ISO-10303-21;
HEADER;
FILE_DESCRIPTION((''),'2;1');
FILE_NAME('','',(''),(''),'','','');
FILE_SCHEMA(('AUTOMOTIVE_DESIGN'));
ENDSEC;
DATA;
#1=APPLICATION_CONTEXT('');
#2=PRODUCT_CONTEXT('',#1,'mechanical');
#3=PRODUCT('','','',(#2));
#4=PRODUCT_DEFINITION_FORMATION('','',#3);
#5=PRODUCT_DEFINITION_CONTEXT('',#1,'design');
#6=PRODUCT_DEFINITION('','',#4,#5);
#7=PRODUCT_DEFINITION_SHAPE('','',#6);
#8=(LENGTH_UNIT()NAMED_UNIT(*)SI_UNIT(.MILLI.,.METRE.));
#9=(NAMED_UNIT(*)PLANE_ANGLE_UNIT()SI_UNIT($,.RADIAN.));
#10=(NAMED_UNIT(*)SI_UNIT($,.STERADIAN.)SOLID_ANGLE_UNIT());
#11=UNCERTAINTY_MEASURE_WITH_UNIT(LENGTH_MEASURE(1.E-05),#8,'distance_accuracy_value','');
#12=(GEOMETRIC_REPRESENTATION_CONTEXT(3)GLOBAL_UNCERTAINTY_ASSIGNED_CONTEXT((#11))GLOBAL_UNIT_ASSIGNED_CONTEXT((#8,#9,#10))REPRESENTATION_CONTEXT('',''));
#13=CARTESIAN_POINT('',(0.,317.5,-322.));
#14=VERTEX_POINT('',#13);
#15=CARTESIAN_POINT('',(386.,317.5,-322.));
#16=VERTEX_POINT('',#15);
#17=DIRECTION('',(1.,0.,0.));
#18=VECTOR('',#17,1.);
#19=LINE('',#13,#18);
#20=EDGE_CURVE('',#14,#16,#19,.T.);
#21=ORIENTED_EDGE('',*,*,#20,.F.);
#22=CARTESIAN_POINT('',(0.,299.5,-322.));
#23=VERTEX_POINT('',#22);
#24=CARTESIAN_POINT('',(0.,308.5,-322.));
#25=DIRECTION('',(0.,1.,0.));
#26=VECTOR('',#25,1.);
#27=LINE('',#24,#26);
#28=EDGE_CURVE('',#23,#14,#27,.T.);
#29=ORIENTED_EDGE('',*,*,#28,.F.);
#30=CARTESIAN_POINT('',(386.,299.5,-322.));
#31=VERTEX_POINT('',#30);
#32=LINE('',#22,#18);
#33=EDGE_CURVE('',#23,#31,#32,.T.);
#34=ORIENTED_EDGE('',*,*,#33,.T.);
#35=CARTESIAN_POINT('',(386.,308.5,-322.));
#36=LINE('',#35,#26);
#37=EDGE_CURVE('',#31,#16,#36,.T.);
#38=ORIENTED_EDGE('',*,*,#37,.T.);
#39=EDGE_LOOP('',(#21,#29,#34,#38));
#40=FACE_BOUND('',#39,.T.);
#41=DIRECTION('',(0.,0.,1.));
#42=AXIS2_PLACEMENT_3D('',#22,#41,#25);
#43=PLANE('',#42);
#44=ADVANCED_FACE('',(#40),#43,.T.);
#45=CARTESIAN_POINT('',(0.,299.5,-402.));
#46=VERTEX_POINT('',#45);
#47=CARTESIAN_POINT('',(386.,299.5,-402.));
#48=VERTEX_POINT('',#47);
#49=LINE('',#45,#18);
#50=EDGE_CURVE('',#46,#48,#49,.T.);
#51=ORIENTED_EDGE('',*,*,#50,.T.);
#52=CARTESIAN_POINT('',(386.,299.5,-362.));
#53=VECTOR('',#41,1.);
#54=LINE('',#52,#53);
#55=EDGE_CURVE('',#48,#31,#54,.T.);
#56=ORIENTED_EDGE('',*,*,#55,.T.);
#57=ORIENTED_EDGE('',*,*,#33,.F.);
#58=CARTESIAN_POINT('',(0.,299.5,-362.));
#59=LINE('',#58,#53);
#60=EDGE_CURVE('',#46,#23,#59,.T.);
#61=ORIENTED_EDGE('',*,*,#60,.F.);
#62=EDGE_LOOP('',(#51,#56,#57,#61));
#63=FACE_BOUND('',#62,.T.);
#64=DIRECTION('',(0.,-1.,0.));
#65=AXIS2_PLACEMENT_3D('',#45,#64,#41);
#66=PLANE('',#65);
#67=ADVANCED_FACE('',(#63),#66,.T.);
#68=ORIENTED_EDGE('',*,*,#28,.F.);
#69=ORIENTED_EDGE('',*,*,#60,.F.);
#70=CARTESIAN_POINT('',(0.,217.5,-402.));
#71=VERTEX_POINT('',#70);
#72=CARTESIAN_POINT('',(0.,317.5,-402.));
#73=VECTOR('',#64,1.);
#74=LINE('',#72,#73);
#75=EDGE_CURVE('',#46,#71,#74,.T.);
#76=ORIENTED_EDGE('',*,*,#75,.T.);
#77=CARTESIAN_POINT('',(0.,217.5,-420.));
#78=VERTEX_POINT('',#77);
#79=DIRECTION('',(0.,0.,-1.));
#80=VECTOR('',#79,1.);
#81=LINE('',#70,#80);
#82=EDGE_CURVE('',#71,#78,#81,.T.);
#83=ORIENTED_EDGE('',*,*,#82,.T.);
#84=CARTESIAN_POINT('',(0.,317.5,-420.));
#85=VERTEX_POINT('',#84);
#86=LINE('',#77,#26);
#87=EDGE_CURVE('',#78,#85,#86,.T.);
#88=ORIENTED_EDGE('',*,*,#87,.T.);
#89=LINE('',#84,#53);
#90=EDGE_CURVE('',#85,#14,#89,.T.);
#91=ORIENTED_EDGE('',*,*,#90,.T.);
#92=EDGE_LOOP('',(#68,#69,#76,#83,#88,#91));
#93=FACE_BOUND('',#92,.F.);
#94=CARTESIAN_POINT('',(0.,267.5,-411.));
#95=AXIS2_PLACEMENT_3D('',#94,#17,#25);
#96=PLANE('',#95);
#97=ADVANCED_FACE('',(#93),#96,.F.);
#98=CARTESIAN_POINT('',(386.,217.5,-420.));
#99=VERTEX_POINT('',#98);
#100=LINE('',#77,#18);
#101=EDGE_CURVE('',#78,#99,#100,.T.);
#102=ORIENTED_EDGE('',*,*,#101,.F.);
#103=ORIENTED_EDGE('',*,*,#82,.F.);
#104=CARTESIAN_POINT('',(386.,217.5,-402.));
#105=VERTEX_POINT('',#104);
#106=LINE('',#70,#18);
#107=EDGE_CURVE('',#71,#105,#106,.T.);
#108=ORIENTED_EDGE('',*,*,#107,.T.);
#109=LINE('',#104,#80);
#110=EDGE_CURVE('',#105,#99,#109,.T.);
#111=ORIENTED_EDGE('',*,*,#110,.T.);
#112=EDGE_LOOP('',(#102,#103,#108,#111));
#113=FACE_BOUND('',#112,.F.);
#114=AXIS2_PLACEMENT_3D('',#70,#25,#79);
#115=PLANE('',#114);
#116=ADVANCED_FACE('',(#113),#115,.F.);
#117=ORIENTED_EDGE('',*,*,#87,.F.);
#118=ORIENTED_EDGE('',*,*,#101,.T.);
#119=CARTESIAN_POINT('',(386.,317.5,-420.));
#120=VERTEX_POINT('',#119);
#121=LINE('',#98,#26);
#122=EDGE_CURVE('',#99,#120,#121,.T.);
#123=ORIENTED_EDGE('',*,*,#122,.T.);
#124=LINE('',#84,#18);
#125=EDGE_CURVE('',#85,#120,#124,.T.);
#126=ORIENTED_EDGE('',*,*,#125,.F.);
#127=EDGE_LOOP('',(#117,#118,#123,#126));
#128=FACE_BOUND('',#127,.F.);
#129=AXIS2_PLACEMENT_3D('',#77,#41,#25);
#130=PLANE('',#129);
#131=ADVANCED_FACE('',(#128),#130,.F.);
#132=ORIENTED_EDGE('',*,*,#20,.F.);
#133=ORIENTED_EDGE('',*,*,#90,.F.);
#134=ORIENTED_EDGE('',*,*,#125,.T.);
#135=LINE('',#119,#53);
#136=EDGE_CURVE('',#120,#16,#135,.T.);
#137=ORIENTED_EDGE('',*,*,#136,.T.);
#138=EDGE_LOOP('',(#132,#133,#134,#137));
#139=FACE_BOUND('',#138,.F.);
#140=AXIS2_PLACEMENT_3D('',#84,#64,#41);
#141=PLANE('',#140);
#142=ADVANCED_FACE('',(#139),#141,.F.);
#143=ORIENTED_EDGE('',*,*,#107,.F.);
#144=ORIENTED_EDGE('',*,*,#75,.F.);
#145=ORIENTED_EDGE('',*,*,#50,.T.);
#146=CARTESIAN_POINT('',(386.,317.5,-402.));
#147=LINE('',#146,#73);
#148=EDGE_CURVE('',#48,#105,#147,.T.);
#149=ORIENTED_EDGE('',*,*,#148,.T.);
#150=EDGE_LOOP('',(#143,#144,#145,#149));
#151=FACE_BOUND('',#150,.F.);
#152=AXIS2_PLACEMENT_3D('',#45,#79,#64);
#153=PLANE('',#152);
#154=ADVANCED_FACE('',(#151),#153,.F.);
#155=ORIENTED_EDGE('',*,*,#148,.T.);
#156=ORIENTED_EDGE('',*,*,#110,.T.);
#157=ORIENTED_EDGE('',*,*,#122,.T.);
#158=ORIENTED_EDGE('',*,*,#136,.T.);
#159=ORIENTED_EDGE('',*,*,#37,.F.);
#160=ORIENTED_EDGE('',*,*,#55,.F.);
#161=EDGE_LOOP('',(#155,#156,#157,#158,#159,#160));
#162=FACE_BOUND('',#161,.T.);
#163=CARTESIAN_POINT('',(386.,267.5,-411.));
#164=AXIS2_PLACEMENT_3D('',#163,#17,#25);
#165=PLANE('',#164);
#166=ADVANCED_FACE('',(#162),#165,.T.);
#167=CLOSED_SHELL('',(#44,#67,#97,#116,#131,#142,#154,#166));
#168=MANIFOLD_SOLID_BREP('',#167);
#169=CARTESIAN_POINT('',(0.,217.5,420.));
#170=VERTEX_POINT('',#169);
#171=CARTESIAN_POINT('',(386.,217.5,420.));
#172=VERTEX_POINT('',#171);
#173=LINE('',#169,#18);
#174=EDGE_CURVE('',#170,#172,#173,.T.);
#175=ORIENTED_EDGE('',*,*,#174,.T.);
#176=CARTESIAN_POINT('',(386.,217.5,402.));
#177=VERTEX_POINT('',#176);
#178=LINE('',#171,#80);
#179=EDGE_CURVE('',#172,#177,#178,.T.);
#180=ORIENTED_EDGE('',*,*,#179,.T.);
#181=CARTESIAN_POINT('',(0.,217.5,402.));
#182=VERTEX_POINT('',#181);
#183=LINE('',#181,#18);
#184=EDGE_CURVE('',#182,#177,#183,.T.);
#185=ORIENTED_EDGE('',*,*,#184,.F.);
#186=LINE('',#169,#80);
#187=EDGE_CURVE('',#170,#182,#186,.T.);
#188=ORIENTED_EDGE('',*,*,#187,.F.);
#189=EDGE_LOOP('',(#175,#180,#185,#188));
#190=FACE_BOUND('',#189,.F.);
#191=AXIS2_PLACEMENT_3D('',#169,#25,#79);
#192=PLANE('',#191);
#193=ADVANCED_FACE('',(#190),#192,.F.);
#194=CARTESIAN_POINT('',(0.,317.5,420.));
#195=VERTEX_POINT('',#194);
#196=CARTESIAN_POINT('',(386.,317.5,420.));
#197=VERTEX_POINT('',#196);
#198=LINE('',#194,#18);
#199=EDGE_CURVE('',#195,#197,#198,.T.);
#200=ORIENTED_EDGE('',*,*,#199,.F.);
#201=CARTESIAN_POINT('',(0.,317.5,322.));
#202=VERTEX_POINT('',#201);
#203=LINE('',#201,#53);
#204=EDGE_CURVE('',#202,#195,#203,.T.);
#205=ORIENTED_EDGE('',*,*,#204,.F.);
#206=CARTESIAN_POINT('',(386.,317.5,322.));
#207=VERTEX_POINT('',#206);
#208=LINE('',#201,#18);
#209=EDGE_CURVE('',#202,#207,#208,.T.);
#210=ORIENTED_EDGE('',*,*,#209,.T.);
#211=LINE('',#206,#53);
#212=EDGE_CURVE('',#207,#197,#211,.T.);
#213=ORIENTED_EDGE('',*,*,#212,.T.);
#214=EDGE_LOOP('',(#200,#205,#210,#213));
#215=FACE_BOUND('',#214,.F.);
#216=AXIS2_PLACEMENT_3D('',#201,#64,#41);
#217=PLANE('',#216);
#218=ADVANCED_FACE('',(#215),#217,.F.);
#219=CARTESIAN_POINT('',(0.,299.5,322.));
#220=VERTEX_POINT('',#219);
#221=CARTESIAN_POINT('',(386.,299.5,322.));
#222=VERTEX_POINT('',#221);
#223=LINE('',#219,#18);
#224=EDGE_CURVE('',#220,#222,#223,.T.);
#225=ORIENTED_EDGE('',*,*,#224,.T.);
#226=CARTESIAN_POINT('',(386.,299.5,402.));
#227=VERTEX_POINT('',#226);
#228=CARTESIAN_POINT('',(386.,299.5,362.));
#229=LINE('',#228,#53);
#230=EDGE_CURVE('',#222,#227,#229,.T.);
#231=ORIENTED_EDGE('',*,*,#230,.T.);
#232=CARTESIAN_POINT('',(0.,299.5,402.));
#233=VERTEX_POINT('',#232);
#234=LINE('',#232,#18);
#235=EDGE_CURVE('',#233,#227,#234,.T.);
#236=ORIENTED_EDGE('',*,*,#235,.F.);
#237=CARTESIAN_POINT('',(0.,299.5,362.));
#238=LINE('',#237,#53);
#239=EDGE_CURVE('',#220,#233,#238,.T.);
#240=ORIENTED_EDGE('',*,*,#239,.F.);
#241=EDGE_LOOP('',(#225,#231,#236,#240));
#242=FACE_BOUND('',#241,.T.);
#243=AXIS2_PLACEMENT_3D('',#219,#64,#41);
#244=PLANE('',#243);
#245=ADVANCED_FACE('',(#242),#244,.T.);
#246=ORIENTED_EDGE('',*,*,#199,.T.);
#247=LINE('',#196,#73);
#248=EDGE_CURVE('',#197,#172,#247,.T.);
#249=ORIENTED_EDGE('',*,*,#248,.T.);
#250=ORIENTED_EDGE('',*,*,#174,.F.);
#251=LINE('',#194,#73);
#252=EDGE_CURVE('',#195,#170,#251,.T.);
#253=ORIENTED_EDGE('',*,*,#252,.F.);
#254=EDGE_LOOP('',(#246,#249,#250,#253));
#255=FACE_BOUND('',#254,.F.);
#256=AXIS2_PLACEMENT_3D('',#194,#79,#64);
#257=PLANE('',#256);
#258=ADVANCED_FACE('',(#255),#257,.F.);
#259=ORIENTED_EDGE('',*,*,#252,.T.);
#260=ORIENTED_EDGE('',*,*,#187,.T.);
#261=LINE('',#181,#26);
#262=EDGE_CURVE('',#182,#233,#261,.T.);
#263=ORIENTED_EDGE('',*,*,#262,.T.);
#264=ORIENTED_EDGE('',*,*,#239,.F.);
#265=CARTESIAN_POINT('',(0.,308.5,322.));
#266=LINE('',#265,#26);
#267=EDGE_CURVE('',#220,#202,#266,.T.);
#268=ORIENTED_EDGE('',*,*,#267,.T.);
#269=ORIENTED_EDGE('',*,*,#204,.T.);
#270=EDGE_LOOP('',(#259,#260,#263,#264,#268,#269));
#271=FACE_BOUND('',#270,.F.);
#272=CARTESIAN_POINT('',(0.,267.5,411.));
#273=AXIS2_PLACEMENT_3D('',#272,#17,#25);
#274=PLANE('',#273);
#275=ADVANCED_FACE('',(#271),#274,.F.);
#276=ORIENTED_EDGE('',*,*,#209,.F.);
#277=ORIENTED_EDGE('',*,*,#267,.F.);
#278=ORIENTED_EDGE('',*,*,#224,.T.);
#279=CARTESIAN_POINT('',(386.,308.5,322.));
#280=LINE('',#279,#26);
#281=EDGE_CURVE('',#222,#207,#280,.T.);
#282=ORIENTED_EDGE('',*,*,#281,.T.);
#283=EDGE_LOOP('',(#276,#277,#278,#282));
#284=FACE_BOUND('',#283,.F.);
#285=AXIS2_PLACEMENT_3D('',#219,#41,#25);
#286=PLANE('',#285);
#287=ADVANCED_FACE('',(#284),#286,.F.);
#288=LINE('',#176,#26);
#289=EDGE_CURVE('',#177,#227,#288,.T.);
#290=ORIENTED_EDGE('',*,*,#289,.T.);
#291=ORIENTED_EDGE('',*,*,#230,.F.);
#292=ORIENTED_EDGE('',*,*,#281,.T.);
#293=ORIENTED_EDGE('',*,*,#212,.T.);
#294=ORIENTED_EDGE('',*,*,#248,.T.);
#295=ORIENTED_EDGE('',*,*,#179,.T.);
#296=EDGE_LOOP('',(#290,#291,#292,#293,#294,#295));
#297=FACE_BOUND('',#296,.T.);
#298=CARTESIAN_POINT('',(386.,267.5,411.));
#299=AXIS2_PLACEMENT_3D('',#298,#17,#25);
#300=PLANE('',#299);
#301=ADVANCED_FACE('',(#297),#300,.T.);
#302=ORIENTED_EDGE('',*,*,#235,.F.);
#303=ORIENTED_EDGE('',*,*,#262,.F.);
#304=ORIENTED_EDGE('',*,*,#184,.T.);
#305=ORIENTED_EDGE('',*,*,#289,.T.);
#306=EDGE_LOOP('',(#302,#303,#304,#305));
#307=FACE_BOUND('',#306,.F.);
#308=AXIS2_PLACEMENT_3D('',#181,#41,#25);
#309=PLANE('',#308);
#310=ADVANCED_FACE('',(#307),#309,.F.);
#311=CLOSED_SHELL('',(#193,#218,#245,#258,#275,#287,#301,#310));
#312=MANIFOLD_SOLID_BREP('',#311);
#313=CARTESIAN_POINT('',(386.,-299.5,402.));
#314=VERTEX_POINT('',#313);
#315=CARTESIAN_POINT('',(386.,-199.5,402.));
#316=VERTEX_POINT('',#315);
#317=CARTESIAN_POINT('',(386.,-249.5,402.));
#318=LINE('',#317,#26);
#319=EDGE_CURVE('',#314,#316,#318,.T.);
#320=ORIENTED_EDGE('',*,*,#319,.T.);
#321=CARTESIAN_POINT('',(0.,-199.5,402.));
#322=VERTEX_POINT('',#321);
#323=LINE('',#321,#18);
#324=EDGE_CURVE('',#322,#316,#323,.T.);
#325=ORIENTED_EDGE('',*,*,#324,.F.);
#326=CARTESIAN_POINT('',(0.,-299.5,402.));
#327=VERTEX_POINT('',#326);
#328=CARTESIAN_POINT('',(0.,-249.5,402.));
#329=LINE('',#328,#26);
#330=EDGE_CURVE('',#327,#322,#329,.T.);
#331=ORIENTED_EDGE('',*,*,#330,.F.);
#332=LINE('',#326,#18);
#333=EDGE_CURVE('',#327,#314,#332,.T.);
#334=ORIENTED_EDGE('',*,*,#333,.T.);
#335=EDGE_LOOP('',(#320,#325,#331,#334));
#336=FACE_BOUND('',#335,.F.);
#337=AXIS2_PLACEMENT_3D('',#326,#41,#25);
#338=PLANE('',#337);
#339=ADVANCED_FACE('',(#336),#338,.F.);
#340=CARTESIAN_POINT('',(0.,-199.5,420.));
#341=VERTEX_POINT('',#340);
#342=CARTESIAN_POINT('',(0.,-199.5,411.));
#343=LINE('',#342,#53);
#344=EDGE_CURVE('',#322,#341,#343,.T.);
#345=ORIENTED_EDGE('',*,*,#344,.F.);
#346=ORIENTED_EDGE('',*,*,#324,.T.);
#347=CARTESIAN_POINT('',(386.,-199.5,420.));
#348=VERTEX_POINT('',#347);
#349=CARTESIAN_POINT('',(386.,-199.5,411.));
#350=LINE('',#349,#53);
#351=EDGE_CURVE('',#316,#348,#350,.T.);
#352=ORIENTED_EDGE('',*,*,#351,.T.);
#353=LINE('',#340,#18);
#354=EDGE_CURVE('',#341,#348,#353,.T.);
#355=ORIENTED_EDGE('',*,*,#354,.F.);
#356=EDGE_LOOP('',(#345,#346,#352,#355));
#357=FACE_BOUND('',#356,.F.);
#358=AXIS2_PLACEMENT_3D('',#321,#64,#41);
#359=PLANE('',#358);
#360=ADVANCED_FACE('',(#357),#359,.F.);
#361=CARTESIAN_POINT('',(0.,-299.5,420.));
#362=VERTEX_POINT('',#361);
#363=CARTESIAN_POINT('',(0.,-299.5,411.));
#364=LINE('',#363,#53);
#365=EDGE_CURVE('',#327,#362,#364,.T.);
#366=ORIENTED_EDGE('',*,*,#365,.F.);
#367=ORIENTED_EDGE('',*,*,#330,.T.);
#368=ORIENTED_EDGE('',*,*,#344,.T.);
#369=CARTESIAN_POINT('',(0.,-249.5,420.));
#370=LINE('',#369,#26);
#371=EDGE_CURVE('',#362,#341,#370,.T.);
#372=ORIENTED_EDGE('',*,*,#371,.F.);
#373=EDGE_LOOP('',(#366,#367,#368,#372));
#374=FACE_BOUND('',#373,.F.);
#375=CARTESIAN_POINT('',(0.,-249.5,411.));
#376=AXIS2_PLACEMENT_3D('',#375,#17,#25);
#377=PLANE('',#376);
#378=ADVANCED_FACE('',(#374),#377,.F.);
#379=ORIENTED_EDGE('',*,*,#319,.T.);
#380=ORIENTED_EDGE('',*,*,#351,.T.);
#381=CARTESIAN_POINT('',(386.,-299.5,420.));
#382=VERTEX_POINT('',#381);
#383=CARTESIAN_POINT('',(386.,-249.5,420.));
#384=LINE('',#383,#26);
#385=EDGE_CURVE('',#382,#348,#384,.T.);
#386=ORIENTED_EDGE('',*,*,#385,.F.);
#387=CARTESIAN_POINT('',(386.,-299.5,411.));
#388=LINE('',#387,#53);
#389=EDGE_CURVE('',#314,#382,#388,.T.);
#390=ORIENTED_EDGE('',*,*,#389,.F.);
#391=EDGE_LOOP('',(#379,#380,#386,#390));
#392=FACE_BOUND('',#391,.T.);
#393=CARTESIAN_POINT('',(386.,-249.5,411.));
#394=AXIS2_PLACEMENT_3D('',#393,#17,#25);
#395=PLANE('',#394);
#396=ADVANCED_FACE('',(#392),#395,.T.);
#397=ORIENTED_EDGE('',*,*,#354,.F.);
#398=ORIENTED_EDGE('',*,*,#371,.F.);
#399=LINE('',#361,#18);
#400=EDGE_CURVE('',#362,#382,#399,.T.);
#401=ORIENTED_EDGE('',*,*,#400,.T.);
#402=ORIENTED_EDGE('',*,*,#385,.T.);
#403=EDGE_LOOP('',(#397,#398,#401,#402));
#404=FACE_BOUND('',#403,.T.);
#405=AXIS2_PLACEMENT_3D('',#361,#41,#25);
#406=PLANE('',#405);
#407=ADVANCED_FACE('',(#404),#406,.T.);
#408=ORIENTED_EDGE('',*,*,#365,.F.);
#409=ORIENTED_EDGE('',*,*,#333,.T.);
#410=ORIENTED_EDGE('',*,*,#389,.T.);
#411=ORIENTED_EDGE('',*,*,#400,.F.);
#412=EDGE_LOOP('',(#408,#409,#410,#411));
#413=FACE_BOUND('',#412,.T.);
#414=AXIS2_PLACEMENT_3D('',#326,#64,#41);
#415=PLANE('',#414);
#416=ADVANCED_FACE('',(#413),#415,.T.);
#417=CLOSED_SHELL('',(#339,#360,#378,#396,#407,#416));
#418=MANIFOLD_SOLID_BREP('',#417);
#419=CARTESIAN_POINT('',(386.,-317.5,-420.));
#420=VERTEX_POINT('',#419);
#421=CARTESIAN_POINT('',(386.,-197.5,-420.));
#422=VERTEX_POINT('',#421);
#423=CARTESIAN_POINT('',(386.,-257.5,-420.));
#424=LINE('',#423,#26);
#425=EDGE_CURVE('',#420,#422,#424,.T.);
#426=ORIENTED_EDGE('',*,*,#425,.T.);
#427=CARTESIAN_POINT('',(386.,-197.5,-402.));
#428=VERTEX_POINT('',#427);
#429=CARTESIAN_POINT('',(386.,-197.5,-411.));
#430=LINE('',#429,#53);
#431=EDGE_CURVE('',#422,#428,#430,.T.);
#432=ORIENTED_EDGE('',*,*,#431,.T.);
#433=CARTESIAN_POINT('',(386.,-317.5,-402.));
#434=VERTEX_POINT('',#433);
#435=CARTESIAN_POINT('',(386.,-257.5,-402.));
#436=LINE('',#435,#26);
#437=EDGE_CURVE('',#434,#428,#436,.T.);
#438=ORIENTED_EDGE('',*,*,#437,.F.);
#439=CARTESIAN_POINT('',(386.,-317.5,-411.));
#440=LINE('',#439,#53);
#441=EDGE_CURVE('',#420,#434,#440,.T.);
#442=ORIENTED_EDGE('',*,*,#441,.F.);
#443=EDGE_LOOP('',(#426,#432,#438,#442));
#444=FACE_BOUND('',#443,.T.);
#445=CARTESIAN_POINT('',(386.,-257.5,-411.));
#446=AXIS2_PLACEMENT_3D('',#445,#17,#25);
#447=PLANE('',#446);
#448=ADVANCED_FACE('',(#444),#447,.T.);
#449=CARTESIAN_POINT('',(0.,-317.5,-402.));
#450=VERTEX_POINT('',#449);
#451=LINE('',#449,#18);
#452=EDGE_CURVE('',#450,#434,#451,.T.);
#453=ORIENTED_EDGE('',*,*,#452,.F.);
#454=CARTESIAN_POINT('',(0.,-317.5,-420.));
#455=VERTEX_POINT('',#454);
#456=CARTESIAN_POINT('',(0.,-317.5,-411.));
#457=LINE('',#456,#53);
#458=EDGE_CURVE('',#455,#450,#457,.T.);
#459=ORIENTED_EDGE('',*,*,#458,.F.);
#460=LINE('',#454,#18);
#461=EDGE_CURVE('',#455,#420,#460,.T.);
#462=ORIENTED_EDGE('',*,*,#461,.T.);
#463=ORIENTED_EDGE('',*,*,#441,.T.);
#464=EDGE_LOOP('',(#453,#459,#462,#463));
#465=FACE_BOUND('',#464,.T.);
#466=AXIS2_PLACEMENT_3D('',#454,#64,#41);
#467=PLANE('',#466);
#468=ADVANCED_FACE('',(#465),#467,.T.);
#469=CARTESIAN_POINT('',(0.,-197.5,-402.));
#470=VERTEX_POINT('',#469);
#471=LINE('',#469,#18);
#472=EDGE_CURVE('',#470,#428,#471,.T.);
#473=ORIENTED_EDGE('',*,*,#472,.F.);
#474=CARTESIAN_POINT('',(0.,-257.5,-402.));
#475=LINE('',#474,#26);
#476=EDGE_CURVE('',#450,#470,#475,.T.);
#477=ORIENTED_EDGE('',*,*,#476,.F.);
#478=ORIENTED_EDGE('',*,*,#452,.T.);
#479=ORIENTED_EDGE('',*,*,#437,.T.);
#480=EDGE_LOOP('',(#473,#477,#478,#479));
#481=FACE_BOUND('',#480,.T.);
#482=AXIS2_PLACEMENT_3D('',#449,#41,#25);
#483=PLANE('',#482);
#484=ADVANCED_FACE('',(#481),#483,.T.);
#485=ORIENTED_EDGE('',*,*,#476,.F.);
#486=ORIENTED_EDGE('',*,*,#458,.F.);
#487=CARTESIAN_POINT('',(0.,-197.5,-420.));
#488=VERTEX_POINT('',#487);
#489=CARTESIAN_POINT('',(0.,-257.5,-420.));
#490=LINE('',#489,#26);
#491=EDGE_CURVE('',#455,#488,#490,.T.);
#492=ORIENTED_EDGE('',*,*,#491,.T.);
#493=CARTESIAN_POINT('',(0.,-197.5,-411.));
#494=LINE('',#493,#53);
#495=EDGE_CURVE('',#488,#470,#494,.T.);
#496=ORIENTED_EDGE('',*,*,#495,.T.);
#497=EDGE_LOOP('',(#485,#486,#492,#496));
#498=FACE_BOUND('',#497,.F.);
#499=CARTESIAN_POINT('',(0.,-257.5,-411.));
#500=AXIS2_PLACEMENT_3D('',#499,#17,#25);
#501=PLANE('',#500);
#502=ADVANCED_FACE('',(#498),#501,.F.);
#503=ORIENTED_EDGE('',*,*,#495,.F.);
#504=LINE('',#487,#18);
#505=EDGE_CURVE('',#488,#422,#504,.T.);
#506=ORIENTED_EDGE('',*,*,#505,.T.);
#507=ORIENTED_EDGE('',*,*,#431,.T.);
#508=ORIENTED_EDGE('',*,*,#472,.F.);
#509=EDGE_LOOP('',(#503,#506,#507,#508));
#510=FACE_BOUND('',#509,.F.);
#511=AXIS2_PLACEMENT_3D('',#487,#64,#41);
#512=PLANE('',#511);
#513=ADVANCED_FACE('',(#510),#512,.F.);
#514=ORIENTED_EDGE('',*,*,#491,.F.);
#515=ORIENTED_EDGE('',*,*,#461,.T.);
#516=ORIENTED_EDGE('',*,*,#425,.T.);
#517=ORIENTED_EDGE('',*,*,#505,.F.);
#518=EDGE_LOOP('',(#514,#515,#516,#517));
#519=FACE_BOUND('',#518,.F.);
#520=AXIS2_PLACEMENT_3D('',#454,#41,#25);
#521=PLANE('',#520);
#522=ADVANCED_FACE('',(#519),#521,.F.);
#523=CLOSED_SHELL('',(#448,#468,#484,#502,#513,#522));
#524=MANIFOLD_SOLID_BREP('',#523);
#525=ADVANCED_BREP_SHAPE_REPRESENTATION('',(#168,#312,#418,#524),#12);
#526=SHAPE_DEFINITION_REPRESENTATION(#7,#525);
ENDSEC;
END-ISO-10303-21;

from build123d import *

# Parameters (mm, degrees)
F0_W     = 18
F0_H     = 80
F0_W_2   = 100
F0_H_2   = 18
F0_W_3   = 120
F1_DEPTH = 386


with BuildPart() as f1:
    # F0 (on Right) → F1 (new body)
    with BuildSketch(Plane.YZ):
        Polygon((317.5, 402), (317.5, 420), (217.5, 420), (217.5, 402), (299.5, 402), align=None)
        with Locations((308.5, 362)):
            Rectangle(F0_W, F0_H)
        with Locations((-249.5, 411)):
            Rectangle(F0_W_2, F0_H_2)
        with Locations((-257.5, -411)):
            Rectangle(F0_W_3, F0_H_2)
        Polygon((217.5, -420), (317.5, -420), (317.5, -402), (299.5, -402), (217.5, -402), align=None)
        with Locations((308.5, -362)):
            Rectangle(F0_W, F0_H)
    extrude(amount=F1_DEPTH)


solid = f1.part
